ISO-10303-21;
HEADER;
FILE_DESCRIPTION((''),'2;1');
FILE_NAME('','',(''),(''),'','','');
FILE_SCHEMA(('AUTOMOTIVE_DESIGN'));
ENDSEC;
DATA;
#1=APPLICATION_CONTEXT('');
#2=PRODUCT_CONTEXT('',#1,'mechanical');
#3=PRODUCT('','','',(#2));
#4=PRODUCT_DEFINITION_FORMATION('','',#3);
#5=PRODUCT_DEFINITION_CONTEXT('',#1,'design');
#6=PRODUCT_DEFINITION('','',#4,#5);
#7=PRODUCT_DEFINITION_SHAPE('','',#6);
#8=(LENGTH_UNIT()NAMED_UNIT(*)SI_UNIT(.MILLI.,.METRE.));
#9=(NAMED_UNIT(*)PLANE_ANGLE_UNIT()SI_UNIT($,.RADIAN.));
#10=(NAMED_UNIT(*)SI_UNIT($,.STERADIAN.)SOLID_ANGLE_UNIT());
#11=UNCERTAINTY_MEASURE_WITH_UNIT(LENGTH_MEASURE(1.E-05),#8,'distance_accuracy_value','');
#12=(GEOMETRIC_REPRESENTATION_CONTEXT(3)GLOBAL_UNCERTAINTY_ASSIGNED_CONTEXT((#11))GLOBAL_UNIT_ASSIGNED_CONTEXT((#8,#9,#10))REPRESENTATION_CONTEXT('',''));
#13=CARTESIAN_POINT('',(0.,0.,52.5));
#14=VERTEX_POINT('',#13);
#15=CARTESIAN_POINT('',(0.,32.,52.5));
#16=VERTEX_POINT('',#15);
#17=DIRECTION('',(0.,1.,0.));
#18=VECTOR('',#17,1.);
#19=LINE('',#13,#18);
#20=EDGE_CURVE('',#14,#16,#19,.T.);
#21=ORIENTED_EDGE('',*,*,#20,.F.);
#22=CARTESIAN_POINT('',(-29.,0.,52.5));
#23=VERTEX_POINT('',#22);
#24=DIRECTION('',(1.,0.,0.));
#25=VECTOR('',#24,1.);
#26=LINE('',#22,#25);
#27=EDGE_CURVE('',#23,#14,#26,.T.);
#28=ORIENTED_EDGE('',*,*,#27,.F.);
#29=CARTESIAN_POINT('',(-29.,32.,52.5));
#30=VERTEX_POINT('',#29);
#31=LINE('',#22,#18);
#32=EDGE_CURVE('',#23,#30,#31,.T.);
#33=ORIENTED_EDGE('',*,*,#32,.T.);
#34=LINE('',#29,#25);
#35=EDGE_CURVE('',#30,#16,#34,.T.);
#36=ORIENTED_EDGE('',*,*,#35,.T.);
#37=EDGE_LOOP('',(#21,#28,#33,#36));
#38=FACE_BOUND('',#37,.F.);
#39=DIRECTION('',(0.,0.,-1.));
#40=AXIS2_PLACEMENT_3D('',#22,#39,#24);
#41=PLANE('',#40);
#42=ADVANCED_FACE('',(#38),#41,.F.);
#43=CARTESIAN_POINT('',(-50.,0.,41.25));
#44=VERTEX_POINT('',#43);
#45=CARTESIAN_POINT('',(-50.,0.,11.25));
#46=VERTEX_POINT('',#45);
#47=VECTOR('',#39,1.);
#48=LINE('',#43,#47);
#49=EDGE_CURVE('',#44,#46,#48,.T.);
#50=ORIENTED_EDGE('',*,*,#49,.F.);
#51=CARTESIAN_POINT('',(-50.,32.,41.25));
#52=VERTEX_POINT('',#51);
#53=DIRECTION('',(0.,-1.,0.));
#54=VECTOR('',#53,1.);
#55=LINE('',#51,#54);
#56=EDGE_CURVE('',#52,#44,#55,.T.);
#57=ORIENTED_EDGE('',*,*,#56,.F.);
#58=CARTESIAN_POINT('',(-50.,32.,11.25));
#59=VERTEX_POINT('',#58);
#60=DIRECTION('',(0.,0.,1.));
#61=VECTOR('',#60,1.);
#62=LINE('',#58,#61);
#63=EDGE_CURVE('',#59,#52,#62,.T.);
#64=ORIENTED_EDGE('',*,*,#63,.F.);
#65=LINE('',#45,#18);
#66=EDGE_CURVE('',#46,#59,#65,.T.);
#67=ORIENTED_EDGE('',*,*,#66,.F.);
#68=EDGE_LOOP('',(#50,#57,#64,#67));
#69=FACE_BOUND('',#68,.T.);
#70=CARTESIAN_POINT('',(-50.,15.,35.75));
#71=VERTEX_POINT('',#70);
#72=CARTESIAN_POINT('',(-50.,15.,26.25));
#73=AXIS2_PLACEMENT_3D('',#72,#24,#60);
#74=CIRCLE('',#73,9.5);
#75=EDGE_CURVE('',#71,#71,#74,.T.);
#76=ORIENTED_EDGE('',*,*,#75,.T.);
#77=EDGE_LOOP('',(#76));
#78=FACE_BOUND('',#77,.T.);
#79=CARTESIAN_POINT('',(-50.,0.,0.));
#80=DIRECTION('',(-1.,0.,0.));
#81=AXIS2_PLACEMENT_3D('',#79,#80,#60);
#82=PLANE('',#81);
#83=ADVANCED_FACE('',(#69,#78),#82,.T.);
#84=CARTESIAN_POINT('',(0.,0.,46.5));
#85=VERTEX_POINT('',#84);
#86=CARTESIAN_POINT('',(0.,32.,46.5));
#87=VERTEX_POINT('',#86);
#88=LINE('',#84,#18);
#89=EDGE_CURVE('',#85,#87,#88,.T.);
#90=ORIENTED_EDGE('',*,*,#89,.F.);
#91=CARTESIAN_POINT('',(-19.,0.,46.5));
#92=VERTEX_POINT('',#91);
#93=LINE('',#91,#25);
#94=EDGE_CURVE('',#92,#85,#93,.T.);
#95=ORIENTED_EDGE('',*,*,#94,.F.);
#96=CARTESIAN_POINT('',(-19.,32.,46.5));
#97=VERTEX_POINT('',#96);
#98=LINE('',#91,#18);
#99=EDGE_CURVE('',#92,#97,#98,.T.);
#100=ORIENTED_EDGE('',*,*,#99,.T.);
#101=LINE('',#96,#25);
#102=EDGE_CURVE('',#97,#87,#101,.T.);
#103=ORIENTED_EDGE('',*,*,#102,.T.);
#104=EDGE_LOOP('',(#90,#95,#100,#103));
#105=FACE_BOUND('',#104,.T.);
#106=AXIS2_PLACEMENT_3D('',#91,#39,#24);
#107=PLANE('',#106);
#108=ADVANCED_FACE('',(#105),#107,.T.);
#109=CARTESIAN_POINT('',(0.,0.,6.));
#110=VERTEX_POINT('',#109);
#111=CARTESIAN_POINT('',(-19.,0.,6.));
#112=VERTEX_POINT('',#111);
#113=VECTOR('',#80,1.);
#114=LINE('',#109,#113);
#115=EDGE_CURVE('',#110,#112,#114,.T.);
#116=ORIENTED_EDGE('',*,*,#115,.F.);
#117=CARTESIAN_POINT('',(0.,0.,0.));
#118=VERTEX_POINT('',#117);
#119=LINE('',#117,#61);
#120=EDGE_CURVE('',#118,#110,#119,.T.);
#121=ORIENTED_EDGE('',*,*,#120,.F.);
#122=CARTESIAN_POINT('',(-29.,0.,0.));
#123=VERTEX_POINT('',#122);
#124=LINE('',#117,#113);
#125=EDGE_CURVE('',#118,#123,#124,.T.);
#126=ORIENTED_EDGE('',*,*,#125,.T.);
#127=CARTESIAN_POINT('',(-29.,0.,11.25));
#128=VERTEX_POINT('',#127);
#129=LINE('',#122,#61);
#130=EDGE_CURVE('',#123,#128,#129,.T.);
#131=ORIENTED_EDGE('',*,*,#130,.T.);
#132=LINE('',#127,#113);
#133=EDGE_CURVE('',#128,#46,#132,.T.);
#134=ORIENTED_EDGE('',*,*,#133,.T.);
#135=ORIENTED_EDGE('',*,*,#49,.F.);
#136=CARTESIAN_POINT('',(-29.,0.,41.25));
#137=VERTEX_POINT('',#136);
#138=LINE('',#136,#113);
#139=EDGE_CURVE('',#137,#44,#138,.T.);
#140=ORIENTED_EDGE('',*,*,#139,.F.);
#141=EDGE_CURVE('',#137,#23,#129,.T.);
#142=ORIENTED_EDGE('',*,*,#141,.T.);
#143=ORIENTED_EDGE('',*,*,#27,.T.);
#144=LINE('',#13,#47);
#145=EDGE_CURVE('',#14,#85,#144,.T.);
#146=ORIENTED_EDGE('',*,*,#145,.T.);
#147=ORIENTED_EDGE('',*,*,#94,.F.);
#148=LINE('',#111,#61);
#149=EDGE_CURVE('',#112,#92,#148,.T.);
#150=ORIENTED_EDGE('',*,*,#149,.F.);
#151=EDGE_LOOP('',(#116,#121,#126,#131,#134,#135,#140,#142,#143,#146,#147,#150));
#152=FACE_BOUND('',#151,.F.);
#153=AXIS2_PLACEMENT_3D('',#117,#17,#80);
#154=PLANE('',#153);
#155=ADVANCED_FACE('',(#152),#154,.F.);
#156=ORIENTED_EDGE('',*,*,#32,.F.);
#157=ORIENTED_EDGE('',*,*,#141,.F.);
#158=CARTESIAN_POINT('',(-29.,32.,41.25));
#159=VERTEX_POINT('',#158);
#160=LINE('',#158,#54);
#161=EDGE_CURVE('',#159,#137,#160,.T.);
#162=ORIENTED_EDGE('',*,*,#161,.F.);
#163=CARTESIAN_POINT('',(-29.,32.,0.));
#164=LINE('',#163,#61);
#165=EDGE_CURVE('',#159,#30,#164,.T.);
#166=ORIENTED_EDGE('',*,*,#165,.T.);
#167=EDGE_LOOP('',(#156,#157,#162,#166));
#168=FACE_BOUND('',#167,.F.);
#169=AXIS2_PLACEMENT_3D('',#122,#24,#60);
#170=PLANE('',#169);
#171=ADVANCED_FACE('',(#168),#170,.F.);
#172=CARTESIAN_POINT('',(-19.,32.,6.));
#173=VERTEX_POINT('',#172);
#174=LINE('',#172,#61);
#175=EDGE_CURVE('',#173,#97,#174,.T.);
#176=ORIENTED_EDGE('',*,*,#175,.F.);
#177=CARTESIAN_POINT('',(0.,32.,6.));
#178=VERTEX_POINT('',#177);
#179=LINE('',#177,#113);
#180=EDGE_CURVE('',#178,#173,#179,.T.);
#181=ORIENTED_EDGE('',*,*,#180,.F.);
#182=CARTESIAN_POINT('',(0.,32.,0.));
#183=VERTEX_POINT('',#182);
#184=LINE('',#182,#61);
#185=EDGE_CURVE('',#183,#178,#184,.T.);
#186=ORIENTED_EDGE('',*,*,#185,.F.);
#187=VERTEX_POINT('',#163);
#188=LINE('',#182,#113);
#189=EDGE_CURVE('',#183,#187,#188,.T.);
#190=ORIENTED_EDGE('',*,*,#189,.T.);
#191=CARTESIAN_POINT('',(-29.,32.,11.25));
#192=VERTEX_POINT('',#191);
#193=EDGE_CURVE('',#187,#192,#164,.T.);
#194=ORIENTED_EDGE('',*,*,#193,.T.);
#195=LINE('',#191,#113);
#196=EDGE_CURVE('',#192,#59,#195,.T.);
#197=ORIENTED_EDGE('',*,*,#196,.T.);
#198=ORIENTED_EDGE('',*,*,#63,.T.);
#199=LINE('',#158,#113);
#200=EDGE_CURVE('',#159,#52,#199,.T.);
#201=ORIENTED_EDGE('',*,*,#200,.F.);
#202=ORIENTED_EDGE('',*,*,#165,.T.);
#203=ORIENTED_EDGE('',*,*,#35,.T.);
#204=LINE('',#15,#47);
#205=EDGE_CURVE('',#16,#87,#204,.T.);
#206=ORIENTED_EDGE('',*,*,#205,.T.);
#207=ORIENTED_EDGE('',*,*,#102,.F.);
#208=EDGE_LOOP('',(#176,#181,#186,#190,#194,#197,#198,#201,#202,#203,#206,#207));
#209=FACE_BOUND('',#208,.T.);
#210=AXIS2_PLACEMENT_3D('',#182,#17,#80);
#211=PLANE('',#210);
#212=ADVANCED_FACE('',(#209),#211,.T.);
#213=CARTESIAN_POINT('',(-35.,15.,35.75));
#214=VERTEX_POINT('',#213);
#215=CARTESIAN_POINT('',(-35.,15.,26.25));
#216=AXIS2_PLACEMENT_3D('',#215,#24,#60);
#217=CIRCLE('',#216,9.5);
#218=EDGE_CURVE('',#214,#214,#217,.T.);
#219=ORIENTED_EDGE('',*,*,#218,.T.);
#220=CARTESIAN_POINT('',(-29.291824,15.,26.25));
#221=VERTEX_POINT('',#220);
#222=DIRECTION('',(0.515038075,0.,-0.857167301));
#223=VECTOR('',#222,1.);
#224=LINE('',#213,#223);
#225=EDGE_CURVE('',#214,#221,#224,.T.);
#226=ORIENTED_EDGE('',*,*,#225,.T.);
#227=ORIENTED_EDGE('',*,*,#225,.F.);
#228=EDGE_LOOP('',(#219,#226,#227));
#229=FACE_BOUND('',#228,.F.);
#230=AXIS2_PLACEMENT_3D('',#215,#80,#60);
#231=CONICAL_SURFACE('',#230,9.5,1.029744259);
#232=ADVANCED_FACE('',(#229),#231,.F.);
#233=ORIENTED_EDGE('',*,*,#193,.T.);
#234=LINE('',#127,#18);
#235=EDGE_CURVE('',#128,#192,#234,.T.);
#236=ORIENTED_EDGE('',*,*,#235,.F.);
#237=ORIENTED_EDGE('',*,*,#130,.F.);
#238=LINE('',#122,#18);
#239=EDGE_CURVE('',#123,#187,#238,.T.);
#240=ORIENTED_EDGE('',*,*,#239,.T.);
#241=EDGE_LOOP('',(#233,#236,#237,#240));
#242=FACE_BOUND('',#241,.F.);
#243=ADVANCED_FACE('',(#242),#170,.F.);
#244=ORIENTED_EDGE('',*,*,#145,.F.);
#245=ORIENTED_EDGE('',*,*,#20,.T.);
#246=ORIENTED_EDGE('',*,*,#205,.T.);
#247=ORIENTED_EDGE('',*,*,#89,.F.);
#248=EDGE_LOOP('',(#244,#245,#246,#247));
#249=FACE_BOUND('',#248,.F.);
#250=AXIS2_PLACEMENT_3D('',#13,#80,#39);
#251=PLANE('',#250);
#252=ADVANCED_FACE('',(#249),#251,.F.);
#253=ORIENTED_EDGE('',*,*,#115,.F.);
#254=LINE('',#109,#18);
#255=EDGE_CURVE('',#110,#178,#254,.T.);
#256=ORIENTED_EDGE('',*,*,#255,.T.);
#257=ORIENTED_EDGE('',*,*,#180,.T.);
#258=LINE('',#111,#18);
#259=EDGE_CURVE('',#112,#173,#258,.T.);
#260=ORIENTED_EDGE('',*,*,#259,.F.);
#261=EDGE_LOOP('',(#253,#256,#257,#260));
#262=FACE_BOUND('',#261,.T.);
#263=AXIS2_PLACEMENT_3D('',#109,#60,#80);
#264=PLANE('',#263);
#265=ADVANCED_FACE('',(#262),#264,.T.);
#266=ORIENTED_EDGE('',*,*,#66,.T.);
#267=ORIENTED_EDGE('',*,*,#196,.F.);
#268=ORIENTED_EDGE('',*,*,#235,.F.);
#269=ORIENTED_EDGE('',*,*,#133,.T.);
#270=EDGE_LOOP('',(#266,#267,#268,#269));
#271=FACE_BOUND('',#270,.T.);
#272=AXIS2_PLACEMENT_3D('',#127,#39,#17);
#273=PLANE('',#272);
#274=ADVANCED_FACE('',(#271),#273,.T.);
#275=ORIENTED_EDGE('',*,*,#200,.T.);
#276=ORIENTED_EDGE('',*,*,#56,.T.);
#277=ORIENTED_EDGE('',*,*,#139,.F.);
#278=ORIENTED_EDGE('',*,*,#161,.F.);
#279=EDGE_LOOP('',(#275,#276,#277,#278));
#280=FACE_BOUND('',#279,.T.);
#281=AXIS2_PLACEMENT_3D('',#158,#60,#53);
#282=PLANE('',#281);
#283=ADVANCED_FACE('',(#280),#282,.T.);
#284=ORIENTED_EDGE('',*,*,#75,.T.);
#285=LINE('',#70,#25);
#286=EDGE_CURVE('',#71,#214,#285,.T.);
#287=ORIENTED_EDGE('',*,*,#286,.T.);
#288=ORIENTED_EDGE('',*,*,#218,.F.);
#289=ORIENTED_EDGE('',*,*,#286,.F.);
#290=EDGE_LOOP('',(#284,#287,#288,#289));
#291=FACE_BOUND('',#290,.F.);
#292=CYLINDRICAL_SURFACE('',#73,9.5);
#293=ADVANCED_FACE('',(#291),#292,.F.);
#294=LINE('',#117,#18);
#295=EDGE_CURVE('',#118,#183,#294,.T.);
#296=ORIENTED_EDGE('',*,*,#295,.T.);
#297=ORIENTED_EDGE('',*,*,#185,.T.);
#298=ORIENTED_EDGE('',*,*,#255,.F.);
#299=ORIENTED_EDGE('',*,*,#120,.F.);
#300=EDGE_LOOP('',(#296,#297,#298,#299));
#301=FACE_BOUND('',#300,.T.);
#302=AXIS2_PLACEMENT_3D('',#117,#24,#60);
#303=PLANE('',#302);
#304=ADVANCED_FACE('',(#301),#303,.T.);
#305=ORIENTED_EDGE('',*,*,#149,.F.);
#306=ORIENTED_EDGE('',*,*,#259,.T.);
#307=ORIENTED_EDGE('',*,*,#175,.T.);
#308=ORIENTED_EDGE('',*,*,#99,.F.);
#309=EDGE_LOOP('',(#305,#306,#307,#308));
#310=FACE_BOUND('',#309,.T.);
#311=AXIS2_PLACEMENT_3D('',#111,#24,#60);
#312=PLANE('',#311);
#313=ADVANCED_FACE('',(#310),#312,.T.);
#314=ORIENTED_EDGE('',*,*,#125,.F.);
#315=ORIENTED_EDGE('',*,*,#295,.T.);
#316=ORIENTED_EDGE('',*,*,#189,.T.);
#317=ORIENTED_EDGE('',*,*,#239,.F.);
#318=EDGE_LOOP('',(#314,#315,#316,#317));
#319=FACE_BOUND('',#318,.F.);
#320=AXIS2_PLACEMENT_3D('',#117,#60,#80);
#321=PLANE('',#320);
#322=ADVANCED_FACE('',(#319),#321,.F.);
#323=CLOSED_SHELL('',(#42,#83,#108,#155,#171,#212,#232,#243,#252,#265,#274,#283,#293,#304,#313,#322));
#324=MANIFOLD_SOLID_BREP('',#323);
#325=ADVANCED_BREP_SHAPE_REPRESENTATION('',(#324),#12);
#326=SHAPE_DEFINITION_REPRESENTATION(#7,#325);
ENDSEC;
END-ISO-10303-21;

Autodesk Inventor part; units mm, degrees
ref_plane "YZ Plane" through (0, 0, 0) normal (1, 0, 0) x (0, 1, 0)
ref_plane "XZ Plane" through (0, 0, 0) normal (0, 1, 0) x (-1, 0, 0)
ref_plane "XY Plane" through (0, 0, 0) normal (0, 0, 1) x (1, 0, 0)
sketch "Sketch5" plane through (0, 0, 0) normal (0, 1, 0) x (-1, 0, 0)
  line L0 (0, 0) -> (29, 0)
  line L1 (29, 0) -> (29, 52.5)
  line L2 (29, 52.5) -> (0, 52.5)
  line L3 (0, 0) -> (0, 6)
  line L4 (0, 6) -> (19, 6)
  line L5 (19, 6) -> (19, 46.5)
  line L6 (19, 46.5) -> (0, 46.5)
  line L7 (0, 52.5) -> (0, 46.5)
  line L8 (0, 6) -> (0, 0)
  dimension "d96" = 29
  dimension "d97" = 52.5
  dimension "d98" = 6
  dimension "d99" = 19
  dimension "d101" = 40.5
extrude "Extrusion3" add sketch "Sketch5" along normal blind 32
sketch "Sketch6" plane through (-29, 0, 0) normal (-1, 0, 0) x (0, 0, 1)
  line L0 (26.25, 32) -> (41.25, 32)
  line L1 (41.25, 32) -> (41.25, 0)
  line L2 (41.25, 0) -> (11.25, 0)
  line L3 (11.25, 0) -> (11.25, 32)
  line L4 (11.25, 32) -> (26.25, 32)
  line L5 (0, 0) -> (52.5, 0) projected
  line L6 (0, 0) -> (0, 32) projected
  dimension "d106" = 15
  dimension "d107" = 32
  dimension "d108" = 30
  dimension "d109" = 32
  dimension "d110" = 0
  dimension "d111" = 11.25
extrude "Extrusion4" add sketch "Sketch6" along normal blind 21
hole "Hole8" at (-50, 15, 26.25) direction (1, 0, 0) diameter 19 depth 15 tip angle 118
properties part number "GARFO" material "Aluminium AW-7020"
